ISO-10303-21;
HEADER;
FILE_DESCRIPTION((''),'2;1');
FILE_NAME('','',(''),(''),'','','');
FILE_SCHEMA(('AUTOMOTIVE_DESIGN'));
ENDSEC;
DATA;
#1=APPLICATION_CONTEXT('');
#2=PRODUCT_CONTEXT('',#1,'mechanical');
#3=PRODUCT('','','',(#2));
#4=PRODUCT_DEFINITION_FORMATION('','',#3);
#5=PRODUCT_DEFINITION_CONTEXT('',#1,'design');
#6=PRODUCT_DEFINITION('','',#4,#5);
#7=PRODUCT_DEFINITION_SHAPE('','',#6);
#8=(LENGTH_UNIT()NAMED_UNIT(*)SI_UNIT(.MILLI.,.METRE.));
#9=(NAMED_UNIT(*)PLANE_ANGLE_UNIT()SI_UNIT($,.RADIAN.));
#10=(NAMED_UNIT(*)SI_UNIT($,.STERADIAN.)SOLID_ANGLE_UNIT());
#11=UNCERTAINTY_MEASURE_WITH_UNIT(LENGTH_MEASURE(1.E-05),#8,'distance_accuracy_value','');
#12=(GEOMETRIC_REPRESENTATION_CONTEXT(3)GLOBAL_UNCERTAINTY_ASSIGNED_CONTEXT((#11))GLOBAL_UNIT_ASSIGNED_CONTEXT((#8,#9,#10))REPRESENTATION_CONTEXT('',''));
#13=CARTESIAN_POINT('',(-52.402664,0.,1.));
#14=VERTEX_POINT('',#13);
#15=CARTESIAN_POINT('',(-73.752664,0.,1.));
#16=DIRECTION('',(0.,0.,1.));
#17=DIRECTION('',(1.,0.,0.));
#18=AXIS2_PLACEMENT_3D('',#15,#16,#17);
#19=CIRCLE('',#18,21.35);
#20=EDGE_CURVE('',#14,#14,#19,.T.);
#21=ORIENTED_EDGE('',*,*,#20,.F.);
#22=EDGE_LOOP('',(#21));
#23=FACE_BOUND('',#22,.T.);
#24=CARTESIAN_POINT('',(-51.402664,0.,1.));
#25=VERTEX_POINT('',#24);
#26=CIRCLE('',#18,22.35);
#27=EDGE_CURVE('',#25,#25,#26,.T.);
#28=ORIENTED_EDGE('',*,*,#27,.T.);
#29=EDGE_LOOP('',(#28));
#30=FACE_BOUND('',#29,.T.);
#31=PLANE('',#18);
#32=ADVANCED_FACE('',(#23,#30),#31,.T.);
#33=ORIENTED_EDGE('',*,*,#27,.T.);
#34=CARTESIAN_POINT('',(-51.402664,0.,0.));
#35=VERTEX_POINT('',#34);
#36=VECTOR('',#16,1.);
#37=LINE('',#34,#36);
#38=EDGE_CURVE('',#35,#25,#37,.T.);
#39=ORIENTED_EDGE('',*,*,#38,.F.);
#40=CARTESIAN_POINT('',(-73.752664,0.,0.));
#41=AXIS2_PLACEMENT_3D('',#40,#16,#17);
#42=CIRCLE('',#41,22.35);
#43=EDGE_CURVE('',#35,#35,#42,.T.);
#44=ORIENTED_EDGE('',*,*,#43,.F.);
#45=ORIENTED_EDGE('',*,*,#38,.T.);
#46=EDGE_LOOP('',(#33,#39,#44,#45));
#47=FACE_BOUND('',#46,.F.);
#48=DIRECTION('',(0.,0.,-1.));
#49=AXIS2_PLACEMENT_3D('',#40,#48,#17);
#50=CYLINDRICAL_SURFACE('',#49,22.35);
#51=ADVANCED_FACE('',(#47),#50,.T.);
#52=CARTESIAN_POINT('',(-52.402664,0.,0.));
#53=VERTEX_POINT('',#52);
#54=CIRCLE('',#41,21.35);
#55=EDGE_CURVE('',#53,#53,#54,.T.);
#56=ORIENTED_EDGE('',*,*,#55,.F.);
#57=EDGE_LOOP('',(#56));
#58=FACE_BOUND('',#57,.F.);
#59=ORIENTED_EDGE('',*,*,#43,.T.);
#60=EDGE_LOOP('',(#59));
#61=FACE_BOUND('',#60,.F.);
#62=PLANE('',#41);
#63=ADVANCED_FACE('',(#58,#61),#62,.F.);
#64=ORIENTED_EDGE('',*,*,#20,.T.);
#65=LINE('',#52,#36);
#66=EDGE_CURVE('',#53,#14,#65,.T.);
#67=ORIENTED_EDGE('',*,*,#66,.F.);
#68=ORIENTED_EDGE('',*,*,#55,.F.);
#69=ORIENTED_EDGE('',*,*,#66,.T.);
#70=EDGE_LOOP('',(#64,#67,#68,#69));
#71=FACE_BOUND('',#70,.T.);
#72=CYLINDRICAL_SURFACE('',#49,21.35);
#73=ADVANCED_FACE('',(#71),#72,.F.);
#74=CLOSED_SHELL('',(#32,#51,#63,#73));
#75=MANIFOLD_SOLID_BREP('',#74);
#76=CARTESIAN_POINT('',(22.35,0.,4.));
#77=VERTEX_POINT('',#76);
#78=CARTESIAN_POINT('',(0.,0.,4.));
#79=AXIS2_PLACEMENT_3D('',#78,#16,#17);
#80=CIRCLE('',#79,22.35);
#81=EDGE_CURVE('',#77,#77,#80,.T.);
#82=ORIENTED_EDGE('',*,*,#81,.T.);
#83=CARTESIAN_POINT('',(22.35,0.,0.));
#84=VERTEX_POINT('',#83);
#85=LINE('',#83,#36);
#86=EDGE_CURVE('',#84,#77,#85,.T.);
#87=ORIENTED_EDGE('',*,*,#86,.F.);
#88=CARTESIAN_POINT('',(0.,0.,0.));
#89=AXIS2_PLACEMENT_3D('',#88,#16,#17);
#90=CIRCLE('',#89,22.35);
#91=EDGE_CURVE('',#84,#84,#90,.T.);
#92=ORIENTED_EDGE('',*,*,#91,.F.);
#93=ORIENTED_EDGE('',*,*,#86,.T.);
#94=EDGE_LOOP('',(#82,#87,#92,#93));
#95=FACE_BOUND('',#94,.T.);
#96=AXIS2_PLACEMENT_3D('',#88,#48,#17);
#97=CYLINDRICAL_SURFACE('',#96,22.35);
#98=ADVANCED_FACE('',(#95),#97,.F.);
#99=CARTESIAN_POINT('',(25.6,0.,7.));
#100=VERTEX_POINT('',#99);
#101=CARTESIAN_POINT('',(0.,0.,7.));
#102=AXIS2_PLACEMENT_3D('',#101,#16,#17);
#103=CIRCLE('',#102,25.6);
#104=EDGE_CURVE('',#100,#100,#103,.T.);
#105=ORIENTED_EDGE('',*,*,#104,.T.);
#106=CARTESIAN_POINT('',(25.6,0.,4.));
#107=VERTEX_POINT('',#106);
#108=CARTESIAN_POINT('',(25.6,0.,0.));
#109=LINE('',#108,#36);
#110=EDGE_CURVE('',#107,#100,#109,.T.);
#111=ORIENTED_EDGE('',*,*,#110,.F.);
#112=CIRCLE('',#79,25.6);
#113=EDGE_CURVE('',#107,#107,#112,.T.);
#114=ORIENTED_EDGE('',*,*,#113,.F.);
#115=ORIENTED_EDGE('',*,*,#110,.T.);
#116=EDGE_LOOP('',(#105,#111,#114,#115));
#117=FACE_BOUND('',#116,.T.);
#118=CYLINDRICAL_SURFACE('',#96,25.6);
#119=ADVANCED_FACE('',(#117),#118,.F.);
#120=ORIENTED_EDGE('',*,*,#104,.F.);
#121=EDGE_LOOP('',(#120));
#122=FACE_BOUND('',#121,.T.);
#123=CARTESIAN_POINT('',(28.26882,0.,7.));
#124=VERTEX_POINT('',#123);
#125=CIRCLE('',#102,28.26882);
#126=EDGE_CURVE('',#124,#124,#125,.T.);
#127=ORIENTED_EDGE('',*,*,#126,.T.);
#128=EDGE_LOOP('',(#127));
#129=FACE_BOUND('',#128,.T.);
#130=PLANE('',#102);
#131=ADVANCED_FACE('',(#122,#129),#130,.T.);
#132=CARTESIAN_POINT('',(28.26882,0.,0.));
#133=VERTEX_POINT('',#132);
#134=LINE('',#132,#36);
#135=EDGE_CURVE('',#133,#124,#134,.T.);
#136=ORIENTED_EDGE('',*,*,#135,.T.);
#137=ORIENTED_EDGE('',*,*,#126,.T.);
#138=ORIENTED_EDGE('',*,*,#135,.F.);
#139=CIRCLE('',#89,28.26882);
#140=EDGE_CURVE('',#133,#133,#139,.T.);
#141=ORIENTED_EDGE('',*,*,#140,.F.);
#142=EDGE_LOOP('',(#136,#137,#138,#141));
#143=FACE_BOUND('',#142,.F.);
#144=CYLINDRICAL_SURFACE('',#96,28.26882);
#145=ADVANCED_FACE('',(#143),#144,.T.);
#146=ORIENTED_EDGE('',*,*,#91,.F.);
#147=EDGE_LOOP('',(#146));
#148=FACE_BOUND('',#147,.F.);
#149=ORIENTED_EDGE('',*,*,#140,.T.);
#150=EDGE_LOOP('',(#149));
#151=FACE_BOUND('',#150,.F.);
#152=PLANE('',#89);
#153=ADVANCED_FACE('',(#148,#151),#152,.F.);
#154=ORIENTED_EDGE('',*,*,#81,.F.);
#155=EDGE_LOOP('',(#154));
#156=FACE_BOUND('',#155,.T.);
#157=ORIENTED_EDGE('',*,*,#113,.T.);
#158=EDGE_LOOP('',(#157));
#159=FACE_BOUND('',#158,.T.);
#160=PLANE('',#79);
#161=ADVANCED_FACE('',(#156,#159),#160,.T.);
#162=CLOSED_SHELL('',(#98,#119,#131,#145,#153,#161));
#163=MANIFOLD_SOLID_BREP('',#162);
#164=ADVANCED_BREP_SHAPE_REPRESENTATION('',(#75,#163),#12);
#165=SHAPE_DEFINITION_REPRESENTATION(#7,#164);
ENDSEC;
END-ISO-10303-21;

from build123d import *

# Parameters (mm, degrees)
F0_R     = 25.6
F0_R_2   = 22.35
F1_DEPTH = 4
F0_R_3   = 28.26882
F2_DEPTH = 7
F0_R_4   = 21.35
F3_DEPTH = 1


with BuildPart() as f1:
    # F0 (on Top) → F1 (new body)
    with BuildSketch(Plane.XY):
        Circle(F0_R)
        Circle(F0_R_2, mode=Mode.SUBTRACT)
    extrude(amount=F1_DEPTH)

    # F0 (on Top) → F2 (join)
    with BuildSketch(Plane.XY):
        Circle(F0_R_3)
        Circle(F0_R, mode=Mode.SUBTRACT)
    extrude(amount=F2_DEPTH)


with BuildPart() as f3:
    # F0 (on Top) → F3 (new body)
    with BuildSketch(Plane.XY):
        with Locations((-73.752664, 0)):
            Circle(F0_R_2)
        with Locations((-73.752664, 0)):
            Circle(F0_R_4, mode=Mode.SUBTRACT)
    extrude(amount=F3_DEPTH)


solid = Compound([f1.part, f3.part])
